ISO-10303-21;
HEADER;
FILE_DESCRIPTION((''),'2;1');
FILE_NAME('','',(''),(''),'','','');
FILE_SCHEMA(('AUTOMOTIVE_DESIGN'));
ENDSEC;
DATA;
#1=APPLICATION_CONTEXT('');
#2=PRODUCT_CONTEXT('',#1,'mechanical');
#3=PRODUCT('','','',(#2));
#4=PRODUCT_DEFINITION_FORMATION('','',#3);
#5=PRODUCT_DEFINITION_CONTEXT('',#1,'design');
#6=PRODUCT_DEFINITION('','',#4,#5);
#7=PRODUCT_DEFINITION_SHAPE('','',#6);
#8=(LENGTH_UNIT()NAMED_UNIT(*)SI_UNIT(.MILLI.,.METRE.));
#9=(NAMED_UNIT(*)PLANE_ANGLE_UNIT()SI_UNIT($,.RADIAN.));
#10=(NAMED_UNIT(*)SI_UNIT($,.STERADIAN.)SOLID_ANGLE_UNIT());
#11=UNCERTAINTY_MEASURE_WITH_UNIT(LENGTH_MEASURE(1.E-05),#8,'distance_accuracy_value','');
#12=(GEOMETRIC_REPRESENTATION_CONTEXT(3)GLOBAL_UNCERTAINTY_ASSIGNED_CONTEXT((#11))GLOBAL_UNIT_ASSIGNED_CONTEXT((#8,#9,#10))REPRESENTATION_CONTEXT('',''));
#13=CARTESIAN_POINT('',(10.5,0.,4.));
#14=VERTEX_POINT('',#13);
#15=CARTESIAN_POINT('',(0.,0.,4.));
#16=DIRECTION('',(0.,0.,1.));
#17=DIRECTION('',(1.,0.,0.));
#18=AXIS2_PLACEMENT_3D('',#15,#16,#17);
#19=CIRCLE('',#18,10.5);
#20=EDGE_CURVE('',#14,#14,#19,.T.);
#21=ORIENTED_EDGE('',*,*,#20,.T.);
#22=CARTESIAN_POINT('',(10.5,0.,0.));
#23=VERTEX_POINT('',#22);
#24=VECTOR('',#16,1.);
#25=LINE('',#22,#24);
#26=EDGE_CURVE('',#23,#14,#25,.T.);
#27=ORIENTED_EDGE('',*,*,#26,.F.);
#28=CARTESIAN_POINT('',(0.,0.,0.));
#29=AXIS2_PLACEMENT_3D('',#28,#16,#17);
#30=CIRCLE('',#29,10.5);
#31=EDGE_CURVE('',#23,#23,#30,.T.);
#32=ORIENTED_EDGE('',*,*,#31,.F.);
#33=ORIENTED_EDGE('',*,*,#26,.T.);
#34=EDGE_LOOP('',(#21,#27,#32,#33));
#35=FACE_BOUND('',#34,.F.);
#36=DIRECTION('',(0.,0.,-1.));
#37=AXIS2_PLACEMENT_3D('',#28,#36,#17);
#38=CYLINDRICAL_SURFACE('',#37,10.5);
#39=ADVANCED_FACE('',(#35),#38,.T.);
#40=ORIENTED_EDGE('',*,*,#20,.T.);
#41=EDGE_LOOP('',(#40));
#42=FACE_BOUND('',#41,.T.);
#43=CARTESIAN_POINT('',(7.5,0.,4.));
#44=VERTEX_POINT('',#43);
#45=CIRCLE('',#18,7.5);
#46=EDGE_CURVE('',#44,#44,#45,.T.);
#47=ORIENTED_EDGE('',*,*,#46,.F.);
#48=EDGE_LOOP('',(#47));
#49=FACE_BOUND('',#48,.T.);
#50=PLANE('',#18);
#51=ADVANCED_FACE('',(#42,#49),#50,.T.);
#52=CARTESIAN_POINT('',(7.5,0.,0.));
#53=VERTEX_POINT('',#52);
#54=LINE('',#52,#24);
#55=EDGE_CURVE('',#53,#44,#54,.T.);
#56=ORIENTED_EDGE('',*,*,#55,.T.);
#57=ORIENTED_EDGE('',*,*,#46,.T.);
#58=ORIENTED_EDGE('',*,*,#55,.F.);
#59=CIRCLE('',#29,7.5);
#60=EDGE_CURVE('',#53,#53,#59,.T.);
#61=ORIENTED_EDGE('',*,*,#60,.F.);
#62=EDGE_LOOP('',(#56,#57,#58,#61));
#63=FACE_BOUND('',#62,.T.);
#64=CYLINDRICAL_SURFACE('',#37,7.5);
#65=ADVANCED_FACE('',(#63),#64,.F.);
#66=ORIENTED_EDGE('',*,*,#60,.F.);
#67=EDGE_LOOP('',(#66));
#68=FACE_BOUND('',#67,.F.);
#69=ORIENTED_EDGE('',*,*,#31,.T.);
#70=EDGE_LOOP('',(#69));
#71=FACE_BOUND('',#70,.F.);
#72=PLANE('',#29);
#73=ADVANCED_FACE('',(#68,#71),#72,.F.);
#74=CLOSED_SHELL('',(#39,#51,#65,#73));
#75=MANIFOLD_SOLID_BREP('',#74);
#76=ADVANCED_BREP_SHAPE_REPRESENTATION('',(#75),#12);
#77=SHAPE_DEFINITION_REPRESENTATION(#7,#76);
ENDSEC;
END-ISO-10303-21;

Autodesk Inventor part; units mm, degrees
ref_plane "YZ Plane" through (0, 0, 0) normal (1, 0, 0) x (0, 1, 0)
ref_plane "XZ Plane" through (0, 0, 0) normal (0, 1, 0) x (-1, 0, 0)
ref_plane "XY Plane" through (0, 0, 0) normal (0, 0, 1) x (1, 0, 0)
sketch "Sketch1" plane through (0, 0, 0) normal (0, 0, 1) x (1, 0, 0)
  circle A0 centre (0, 0) radius 10.5
  circle A1 centre (0, 0) radius 7.5
  dimension "d0" = 15
  dimension "d2" = 21
extrude "Extrusion1" add sketch "Sketch1" along normal blind 4
properties part number "6702"
